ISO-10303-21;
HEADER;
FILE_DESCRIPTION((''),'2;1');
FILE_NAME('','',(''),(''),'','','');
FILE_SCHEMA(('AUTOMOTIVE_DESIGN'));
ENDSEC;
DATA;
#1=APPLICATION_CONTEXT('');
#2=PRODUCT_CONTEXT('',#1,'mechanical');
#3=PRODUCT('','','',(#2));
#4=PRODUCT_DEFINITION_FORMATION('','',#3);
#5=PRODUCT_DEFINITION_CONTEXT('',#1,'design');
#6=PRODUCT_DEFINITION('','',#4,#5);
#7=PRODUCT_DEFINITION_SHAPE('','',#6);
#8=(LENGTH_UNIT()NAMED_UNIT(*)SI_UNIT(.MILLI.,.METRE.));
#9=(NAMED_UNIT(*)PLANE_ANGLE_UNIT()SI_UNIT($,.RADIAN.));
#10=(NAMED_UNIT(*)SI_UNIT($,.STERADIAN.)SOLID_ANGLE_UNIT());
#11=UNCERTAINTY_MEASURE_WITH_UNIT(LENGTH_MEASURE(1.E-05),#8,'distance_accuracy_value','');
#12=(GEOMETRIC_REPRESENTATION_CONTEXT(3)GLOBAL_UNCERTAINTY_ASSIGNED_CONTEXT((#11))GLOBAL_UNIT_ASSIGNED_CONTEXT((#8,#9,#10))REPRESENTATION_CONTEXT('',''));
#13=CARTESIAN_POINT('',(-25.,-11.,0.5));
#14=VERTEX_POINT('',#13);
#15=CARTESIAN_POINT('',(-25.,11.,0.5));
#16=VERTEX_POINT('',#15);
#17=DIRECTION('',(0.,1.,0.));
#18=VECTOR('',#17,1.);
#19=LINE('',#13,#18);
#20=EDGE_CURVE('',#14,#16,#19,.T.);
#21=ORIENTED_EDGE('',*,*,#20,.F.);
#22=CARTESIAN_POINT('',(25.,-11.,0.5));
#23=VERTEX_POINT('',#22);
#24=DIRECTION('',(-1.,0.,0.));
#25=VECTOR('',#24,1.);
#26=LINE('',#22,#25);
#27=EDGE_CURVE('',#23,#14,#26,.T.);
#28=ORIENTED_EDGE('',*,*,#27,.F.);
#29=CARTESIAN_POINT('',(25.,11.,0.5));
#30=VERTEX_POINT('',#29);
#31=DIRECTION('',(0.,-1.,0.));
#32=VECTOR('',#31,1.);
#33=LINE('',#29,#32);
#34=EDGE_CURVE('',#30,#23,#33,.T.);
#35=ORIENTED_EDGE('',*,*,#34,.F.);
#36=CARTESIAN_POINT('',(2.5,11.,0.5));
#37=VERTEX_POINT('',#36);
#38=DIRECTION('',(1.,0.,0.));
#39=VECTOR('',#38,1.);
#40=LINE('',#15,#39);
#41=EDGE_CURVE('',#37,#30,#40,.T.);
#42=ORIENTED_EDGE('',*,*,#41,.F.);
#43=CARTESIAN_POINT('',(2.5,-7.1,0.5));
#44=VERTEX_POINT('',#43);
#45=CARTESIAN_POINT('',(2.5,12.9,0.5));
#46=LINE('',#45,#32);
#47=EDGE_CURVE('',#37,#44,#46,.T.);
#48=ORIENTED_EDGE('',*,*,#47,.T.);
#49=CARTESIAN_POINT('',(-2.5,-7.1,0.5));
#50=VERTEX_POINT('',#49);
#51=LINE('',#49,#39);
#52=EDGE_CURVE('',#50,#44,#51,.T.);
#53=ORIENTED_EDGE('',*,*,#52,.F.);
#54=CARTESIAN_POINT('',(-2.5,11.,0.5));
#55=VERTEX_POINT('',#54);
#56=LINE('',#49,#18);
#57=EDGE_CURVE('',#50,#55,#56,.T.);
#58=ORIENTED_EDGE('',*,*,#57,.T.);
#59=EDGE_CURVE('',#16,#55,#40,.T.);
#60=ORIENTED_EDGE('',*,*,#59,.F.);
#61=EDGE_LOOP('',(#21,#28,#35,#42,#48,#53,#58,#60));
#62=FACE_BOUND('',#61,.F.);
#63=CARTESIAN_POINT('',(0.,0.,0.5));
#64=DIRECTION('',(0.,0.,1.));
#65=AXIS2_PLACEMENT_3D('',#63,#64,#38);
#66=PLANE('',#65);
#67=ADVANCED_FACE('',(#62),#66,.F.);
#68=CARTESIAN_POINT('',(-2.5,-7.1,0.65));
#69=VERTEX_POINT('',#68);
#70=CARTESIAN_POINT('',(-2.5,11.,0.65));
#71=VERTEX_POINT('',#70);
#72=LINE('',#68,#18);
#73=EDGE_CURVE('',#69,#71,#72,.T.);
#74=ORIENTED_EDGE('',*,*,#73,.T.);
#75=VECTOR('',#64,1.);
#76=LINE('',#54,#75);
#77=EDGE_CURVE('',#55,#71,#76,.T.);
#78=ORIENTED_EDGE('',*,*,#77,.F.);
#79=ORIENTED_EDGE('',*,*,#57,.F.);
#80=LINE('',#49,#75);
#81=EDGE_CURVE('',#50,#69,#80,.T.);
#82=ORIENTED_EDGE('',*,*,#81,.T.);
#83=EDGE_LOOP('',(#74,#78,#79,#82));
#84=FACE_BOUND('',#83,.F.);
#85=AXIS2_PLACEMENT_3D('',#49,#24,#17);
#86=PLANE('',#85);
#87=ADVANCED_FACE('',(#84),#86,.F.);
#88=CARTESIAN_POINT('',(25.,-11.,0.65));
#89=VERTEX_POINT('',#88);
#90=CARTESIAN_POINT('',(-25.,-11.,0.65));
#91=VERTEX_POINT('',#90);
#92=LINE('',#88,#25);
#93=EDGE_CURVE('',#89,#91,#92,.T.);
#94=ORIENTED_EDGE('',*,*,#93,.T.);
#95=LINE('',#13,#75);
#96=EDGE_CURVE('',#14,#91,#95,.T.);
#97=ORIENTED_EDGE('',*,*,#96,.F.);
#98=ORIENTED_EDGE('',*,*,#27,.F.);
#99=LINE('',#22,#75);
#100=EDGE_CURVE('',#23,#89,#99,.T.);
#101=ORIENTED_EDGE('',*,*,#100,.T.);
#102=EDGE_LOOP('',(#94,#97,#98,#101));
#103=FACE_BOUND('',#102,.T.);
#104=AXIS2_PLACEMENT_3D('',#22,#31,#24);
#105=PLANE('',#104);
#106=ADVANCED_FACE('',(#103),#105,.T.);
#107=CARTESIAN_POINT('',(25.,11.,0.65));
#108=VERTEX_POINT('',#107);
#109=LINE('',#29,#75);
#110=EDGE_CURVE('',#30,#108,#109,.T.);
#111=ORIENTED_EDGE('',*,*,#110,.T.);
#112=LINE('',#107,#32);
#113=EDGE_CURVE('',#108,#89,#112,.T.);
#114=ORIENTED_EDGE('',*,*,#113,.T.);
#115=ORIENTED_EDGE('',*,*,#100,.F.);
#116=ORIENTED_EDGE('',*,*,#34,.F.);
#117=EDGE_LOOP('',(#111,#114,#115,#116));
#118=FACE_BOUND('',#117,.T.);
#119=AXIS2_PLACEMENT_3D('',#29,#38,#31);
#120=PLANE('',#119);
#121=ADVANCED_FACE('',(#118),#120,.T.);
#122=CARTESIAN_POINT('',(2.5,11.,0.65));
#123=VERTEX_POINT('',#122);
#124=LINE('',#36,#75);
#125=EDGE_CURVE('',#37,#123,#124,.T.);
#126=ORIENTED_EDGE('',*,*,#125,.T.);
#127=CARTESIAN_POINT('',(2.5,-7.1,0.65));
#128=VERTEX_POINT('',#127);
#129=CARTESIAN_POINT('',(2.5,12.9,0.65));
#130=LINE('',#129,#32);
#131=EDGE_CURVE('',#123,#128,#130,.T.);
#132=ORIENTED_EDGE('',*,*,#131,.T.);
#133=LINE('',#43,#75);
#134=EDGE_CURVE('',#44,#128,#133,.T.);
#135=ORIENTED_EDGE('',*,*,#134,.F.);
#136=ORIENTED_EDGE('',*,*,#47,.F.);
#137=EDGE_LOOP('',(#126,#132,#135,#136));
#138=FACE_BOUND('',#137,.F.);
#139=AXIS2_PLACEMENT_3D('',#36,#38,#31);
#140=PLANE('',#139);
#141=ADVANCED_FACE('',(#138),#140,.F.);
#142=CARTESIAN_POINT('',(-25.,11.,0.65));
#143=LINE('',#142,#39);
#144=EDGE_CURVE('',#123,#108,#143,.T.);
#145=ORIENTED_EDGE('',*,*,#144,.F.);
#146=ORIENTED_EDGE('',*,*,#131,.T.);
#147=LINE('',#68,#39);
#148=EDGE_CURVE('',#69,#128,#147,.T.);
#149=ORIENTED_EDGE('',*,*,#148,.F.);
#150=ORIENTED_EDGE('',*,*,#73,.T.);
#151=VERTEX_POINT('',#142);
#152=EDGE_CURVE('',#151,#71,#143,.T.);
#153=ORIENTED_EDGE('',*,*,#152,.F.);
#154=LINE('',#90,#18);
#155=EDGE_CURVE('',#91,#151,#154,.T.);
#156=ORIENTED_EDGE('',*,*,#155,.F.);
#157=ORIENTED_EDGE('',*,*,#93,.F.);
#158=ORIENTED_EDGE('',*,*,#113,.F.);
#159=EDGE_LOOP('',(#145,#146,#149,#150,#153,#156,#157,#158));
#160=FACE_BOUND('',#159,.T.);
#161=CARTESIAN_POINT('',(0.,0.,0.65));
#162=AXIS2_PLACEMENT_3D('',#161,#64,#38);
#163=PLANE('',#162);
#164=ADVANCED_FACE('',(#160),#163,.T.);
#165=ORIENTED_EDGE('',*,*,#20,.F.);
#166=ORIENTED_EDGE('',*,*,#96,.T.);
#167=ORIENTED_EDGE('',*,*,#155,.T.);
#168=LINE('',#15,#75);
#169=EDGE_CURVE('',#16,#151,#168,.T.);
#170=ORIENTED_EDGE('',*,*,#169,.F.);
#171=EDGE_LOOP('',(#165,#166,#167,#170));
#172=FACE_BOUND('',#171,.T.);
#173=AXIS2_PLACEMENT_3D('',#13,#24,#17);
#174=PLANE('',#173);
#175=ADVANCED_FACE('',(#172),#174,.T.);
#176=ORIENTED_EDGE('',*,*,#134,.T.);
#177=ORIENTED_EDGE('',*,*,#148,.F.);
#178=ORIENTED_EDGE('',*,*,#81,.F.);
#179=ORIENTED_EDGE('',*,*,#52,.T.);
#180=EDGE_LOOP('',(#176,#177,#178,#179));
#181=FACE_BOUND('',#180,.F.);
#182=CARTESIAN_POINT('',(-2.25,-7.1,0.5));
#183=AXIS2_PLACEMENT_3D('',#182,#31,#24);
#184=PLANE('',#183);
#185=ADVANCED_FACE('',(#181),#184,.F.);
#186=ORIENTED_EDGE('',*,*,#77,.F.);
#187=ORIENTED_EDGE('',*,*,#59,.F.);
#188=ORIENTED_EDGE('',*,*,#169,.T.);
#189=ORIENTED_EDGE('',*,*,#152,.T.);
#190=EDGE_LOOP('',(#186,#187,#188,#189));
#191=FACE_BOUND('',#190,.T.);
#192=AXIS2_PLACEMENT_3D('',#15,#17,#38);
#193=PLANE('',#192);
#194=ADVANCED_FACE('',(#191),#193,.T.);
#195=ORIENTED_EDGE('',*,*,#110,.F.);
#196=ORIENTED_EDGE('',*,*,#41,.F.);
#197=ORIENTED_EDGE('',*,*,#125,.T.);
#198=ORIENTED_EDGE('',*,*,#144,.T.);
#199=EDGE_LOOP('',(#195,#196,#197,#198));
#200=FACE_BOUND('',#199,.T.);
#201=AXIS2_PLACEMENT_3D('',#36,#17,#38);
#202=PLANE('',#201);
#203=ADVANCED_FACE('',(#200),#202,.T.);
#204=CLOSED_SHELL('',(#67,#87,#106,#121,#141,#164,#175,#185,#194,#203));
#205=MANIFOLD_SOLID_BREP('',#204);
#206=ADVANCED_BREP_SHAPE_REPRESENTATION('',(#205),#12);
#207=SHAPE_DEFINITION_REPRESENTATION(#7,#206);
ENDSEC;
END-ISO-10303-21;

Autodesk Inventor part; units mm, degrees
ref_plane "YZ Plane" through (0, 0, 0) normal (1, 0, 0) x (0, 1, 0)
ref_plane "XZ Plane" through (0, 0, 0) normal (0, 1, 0) x (-1, 0, 0)
ref_plane "XY Plane" through (0, 0, 0) normal (0, 0, 1) x (1, 0, 0)
ref_plane "Arbeitsebene1" through (0, 0, 0.5) normal (0, 0, 1) x (1, 0, 0)
sketch "Skizze1" plane through (0, 0, 0.5) normal (0, 0, 1) x (1, 0, 0)
  circle A0 centre (12, 2.9) radius 1.5 projected
  circle A1 centre (-12, 2.9) radius 1.5 projected
  line L0 (2.5, 12.9) -> (2.5, -7.1) projected
  line L1 (2.5, -7.1) -> (2.25, -7.1) projected
  line L2 (2.25, -7.1) -> (2, -7.1) projected
  line L3 (2, -7.1) -> (1.75, -7.1) projected
  line L4 (1.75, -7.1) -> (1.5, -7.1) projected
  line L5 (1.5, -7.1) -> (1.25, -7.1) projected
  line L6 (1.25, -7.1) -> (1, -7.1) projected
  line L7 (1, -7.1) -> (0.75, -7.1) projected
  line L8 (0.75, -7.1) -> (0.5, -7.1) projected
  line L9 (0.5, -7.1) -> (0.25, -7.1) projected
  line L10 (0.25, -7.1) -> (0, -7.1) projected
  line L11 (0, -7.1) -> (-0.25, -7.1) projected
  line L12 (-0.25, -7.1) -> (-0.5, -7.1) projected
  line L13 (-0.5, -7.1) -> (-0.75, -7.1) projected
  line L14 (-0.75, -7.1) -> (-1, -7.1) projected
  line L15 (-1, -7.1) -> (-1.25, -7.1) projected
  line L16 (-1.25, -7.1) -> (-1.5, -7.1) projected
  line L17 (-1.5, -7.1) -> (-1.75, -7.1) projected
  line L18 (-1.75, -7.1) -> (-2, -7.1) projected
  line L19 (-2, -7.1) -> (-2.25, -7.1) projected
  line L20 (-2.25, -7.1) -> (-2.5, -7.1) projected
  line L21 (-2.5, -7.1) -> (-2.5, 12.9) projected
  line L22 (-2.5, 12.9) -> (-38, 12.9) projected
  line L23 (-38, 12.9) -> (-38, -12.9) projected
  line L24 (-38, -12.9) -> (38, -12.9) projected
  line L25 (38, -12.9) -> (38, 12.9) projected
  line L26 (38, 12.9) -> (2.5, 12.9) projected
  line L27 (25, -11) -> (-25, -11)
  line L28 (-25, -11) -> (-25, 11)
  line L29 (-25, 11) -> (25, 11)
  line L30 (25, 11) -> (25, -11)
  line L31 (25, -11) -> (-25, 11) construction
  line L32 (-25, -11) -> (25, 11) construction
  point P0 (0, 0)
  point P1 (-2.5, 11)
  point P2 (2.5, 11)
  dimension "d0" = 50
  dimension "d1" = 22
extrude "Extrusion1" add sketch "Skizze1" along normal blind 0.15 contours A0 | A1 | L29 L30 L27 L28 L21 L20 L19 L18 L17 L16 L15 L14 L13 L12 L11 L10 L9 L8 L7 L6 L5 L4 L3 L2 L1 L0
properties part number "00_coverglass_50x22"
